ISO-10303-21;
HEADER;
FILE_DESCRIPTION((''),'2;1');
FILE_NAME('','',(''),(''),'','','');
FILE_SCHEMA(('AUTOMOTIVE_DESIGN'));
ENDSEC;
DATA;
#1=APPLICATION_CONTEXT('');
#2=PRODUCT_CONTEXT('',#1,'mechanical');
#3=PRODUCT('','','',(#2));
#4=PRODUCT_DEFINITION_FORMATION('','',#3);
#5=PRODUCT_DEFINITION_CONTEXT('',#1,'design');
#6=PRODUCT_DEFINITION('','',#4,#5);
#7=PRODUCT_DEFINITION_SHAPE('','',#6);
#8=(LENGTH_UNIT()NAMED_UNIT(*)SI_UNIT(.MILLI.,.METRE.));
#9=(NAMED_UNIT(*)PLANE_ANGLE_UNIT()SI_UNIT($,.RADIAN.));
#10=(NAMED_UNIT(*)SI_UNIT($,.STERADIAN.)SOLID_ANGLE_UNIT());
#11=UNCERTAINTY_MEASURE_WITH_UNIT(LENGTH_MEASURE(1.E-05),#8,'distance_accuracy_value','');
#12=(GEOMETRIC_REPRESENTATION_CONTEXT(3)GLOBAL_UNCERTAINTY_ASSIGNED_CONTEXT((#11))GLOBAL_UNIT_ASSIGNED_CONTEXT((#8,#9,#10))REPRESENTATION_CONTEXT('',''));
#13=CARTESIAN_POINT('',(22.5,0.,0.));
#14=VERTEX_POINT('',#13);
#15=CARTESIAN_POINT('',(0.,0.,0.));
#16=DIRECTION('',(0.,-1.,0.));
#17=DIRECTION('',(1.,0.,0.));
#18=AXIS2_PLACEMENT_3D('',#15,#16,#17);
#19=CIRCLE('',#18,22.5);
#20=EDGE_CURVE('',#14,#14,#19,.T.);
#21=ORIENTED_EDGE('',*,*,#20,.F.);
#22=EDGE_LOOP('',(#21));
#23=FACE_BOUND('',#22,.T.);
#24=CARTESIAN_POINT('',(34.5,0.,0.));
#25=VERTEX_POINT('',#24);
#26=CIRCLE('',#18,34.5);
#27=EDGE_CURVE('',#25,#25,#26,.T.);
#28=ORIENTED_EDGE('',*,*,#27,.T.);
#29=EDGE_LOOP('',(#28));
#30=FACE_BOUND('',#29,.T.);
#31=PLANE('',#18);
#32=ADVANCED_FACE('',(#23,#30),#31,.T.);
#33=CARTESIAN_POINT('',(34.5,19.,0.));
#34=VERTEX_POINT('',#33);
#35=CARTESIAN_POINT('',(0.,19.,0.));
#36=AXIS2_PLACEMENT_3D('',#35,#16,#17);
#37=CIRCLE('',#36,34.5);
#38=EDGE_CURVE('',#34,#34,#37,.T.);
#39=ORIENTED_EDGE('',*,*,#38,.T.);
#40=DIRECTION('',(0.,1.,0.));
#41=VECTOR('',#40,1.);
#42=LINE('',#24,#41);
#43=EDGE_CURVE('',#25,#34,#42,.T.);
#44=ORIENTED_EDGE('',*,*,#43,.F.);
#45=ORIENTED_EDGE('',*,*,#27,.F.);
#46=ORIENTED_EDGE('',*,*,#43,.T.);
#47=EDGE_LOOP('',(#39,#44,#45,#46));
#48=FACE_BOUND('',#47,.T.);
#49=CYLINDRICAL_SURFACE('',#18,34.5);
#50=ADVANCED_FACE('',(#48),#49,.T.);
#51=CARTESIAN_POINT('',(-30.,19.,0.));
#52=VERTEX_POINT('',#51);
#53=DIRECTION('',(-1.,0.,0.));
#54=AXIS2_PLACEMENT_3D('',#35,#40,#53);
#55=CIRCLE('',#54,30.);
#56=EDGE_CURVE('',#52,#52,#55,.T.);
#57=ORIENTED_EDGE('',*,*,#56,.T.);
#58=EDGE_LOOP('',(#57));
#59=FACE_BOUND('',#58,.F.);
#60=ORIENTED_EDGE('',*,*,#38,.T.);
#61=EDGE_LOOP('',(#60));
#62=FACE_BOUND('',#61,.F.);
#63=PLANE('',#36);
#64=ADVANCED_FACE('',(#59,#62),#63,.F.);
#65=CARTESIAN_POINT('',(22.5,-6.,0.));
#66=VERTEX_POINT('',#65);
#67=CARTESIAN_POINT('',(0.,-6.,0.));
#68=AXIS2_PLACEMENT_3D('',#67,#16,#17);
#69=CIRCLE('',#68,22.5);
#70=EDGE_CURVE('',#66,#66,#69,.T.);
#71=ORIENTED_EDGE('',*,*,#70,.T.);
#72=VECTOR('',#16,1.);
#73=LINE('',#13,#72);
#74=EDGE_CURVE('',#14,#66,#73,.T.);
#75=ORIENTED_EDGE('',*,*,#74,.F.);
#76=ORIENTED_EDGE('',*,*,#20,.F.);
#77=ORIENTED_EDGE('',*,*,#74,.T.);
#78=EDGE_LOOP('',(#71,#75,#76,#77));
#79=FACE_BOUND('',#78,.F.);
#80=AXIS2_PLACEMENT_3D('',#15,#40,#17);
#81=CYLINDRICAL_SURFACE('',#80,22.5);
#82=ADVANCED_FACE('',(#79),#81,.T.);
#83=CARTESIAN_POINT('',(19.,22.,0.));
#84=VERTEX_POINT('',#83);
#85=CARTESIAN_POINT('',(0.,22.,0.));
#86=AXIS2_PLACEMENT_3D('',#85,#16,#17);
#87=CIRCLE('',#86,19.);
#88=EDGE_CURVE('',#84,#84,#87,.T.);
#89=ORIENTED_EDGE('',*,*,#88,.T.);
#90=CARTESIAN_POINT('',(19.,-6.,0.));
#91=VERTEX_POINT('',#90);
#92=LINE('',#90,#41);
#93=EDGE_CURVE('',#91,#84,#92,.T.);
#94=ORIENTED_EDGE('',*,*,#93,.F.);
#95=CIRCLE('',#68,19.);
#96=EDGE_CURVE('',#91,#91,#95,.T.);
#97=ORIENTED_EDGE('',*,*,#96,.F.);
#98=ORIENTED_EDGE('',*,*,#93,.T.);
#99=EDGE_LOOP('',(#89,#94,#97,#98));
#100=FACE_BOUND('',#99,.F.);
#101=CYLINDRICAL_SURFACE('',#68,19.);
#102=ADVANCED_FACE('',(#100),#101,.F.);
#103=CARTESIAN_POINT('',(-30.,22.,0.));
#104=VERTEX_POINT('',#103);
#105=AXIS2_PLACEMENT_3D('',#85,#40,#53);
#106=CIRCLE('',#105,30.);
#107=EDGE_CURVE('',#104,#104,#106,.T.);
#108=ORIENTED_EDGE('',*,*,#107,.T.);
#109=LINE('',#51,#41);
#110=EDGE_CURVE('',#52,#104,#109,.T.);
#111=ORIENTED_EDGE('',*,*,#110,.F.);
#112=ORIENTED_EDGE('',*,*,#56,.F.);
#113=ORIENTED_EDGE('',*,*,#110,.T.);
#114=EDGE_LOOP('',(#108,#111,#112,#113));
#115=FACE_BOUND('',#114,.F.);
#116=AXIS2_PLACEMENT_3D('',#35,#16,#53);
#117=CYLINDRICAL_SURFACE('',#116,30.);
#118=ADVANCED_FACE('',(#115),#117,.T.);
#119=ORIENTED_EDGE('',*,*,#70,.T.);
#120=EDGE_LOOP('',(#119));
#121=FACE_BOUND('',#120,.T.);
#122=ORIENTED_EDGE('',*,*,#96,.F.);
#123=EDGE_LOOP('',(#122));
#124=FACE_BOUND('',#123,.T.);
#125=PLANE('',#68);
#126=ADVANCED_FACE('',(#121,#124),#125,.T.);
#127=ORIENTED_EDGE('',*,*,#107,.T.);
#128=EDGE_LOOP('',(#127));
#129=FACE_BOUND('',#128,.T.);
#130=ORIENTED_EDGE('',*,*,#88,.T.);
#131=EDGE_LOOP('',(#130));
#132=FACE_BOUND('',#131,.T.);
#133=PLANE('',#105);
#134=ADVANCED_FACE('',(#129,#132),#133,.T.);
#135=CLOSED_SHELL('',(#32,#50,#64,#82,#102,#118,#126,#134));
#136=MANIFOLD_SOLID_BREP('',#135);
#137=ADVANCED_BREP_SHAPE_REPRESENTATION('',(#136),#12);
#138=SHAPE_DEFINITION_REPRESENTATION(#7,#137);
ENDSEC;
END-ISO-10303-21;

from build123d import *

# Parameters (mm, degrees)
F0_R     = 34.5
F1_DEPTH = 19
F2_R     = 22.5
F3_DEPTH = 6
F4_R     = 30
F5_DEPTH = 3
F6_R     = 19
F7_DEPTH = 28


with BuildPart() as f1:
    # F0 (on Front) → F1 (new body)
    with BuildSketch(Plane.XZ):
        Circle(F0_R)
    extrude(amount=-F1_DEPTH)

    # F2 (on face) → F3 (join)
    with BuildSketch(Plane.XZ):
        Circle(F2_R)
    extrude(amount=F3_DEPTH)

    # F4 (on face) → F5 (join)
    with BuildSketch(Plane(origin=(0, 19, 0), x_dir=(-1, 0, 0), z_dir=(0, 1, 0))):
        Circle(F4_R)
    extrude(amount=F5_DEPTH)

    # F6 (on face) → F7 (cut)
    with BuildSketch(Plane.XZ.offset(6)):
        Circle(F6_R)
    extrude(amount=-F7_DEPTH, mode=Mode.SUBTRACT)


solid = f1.part
